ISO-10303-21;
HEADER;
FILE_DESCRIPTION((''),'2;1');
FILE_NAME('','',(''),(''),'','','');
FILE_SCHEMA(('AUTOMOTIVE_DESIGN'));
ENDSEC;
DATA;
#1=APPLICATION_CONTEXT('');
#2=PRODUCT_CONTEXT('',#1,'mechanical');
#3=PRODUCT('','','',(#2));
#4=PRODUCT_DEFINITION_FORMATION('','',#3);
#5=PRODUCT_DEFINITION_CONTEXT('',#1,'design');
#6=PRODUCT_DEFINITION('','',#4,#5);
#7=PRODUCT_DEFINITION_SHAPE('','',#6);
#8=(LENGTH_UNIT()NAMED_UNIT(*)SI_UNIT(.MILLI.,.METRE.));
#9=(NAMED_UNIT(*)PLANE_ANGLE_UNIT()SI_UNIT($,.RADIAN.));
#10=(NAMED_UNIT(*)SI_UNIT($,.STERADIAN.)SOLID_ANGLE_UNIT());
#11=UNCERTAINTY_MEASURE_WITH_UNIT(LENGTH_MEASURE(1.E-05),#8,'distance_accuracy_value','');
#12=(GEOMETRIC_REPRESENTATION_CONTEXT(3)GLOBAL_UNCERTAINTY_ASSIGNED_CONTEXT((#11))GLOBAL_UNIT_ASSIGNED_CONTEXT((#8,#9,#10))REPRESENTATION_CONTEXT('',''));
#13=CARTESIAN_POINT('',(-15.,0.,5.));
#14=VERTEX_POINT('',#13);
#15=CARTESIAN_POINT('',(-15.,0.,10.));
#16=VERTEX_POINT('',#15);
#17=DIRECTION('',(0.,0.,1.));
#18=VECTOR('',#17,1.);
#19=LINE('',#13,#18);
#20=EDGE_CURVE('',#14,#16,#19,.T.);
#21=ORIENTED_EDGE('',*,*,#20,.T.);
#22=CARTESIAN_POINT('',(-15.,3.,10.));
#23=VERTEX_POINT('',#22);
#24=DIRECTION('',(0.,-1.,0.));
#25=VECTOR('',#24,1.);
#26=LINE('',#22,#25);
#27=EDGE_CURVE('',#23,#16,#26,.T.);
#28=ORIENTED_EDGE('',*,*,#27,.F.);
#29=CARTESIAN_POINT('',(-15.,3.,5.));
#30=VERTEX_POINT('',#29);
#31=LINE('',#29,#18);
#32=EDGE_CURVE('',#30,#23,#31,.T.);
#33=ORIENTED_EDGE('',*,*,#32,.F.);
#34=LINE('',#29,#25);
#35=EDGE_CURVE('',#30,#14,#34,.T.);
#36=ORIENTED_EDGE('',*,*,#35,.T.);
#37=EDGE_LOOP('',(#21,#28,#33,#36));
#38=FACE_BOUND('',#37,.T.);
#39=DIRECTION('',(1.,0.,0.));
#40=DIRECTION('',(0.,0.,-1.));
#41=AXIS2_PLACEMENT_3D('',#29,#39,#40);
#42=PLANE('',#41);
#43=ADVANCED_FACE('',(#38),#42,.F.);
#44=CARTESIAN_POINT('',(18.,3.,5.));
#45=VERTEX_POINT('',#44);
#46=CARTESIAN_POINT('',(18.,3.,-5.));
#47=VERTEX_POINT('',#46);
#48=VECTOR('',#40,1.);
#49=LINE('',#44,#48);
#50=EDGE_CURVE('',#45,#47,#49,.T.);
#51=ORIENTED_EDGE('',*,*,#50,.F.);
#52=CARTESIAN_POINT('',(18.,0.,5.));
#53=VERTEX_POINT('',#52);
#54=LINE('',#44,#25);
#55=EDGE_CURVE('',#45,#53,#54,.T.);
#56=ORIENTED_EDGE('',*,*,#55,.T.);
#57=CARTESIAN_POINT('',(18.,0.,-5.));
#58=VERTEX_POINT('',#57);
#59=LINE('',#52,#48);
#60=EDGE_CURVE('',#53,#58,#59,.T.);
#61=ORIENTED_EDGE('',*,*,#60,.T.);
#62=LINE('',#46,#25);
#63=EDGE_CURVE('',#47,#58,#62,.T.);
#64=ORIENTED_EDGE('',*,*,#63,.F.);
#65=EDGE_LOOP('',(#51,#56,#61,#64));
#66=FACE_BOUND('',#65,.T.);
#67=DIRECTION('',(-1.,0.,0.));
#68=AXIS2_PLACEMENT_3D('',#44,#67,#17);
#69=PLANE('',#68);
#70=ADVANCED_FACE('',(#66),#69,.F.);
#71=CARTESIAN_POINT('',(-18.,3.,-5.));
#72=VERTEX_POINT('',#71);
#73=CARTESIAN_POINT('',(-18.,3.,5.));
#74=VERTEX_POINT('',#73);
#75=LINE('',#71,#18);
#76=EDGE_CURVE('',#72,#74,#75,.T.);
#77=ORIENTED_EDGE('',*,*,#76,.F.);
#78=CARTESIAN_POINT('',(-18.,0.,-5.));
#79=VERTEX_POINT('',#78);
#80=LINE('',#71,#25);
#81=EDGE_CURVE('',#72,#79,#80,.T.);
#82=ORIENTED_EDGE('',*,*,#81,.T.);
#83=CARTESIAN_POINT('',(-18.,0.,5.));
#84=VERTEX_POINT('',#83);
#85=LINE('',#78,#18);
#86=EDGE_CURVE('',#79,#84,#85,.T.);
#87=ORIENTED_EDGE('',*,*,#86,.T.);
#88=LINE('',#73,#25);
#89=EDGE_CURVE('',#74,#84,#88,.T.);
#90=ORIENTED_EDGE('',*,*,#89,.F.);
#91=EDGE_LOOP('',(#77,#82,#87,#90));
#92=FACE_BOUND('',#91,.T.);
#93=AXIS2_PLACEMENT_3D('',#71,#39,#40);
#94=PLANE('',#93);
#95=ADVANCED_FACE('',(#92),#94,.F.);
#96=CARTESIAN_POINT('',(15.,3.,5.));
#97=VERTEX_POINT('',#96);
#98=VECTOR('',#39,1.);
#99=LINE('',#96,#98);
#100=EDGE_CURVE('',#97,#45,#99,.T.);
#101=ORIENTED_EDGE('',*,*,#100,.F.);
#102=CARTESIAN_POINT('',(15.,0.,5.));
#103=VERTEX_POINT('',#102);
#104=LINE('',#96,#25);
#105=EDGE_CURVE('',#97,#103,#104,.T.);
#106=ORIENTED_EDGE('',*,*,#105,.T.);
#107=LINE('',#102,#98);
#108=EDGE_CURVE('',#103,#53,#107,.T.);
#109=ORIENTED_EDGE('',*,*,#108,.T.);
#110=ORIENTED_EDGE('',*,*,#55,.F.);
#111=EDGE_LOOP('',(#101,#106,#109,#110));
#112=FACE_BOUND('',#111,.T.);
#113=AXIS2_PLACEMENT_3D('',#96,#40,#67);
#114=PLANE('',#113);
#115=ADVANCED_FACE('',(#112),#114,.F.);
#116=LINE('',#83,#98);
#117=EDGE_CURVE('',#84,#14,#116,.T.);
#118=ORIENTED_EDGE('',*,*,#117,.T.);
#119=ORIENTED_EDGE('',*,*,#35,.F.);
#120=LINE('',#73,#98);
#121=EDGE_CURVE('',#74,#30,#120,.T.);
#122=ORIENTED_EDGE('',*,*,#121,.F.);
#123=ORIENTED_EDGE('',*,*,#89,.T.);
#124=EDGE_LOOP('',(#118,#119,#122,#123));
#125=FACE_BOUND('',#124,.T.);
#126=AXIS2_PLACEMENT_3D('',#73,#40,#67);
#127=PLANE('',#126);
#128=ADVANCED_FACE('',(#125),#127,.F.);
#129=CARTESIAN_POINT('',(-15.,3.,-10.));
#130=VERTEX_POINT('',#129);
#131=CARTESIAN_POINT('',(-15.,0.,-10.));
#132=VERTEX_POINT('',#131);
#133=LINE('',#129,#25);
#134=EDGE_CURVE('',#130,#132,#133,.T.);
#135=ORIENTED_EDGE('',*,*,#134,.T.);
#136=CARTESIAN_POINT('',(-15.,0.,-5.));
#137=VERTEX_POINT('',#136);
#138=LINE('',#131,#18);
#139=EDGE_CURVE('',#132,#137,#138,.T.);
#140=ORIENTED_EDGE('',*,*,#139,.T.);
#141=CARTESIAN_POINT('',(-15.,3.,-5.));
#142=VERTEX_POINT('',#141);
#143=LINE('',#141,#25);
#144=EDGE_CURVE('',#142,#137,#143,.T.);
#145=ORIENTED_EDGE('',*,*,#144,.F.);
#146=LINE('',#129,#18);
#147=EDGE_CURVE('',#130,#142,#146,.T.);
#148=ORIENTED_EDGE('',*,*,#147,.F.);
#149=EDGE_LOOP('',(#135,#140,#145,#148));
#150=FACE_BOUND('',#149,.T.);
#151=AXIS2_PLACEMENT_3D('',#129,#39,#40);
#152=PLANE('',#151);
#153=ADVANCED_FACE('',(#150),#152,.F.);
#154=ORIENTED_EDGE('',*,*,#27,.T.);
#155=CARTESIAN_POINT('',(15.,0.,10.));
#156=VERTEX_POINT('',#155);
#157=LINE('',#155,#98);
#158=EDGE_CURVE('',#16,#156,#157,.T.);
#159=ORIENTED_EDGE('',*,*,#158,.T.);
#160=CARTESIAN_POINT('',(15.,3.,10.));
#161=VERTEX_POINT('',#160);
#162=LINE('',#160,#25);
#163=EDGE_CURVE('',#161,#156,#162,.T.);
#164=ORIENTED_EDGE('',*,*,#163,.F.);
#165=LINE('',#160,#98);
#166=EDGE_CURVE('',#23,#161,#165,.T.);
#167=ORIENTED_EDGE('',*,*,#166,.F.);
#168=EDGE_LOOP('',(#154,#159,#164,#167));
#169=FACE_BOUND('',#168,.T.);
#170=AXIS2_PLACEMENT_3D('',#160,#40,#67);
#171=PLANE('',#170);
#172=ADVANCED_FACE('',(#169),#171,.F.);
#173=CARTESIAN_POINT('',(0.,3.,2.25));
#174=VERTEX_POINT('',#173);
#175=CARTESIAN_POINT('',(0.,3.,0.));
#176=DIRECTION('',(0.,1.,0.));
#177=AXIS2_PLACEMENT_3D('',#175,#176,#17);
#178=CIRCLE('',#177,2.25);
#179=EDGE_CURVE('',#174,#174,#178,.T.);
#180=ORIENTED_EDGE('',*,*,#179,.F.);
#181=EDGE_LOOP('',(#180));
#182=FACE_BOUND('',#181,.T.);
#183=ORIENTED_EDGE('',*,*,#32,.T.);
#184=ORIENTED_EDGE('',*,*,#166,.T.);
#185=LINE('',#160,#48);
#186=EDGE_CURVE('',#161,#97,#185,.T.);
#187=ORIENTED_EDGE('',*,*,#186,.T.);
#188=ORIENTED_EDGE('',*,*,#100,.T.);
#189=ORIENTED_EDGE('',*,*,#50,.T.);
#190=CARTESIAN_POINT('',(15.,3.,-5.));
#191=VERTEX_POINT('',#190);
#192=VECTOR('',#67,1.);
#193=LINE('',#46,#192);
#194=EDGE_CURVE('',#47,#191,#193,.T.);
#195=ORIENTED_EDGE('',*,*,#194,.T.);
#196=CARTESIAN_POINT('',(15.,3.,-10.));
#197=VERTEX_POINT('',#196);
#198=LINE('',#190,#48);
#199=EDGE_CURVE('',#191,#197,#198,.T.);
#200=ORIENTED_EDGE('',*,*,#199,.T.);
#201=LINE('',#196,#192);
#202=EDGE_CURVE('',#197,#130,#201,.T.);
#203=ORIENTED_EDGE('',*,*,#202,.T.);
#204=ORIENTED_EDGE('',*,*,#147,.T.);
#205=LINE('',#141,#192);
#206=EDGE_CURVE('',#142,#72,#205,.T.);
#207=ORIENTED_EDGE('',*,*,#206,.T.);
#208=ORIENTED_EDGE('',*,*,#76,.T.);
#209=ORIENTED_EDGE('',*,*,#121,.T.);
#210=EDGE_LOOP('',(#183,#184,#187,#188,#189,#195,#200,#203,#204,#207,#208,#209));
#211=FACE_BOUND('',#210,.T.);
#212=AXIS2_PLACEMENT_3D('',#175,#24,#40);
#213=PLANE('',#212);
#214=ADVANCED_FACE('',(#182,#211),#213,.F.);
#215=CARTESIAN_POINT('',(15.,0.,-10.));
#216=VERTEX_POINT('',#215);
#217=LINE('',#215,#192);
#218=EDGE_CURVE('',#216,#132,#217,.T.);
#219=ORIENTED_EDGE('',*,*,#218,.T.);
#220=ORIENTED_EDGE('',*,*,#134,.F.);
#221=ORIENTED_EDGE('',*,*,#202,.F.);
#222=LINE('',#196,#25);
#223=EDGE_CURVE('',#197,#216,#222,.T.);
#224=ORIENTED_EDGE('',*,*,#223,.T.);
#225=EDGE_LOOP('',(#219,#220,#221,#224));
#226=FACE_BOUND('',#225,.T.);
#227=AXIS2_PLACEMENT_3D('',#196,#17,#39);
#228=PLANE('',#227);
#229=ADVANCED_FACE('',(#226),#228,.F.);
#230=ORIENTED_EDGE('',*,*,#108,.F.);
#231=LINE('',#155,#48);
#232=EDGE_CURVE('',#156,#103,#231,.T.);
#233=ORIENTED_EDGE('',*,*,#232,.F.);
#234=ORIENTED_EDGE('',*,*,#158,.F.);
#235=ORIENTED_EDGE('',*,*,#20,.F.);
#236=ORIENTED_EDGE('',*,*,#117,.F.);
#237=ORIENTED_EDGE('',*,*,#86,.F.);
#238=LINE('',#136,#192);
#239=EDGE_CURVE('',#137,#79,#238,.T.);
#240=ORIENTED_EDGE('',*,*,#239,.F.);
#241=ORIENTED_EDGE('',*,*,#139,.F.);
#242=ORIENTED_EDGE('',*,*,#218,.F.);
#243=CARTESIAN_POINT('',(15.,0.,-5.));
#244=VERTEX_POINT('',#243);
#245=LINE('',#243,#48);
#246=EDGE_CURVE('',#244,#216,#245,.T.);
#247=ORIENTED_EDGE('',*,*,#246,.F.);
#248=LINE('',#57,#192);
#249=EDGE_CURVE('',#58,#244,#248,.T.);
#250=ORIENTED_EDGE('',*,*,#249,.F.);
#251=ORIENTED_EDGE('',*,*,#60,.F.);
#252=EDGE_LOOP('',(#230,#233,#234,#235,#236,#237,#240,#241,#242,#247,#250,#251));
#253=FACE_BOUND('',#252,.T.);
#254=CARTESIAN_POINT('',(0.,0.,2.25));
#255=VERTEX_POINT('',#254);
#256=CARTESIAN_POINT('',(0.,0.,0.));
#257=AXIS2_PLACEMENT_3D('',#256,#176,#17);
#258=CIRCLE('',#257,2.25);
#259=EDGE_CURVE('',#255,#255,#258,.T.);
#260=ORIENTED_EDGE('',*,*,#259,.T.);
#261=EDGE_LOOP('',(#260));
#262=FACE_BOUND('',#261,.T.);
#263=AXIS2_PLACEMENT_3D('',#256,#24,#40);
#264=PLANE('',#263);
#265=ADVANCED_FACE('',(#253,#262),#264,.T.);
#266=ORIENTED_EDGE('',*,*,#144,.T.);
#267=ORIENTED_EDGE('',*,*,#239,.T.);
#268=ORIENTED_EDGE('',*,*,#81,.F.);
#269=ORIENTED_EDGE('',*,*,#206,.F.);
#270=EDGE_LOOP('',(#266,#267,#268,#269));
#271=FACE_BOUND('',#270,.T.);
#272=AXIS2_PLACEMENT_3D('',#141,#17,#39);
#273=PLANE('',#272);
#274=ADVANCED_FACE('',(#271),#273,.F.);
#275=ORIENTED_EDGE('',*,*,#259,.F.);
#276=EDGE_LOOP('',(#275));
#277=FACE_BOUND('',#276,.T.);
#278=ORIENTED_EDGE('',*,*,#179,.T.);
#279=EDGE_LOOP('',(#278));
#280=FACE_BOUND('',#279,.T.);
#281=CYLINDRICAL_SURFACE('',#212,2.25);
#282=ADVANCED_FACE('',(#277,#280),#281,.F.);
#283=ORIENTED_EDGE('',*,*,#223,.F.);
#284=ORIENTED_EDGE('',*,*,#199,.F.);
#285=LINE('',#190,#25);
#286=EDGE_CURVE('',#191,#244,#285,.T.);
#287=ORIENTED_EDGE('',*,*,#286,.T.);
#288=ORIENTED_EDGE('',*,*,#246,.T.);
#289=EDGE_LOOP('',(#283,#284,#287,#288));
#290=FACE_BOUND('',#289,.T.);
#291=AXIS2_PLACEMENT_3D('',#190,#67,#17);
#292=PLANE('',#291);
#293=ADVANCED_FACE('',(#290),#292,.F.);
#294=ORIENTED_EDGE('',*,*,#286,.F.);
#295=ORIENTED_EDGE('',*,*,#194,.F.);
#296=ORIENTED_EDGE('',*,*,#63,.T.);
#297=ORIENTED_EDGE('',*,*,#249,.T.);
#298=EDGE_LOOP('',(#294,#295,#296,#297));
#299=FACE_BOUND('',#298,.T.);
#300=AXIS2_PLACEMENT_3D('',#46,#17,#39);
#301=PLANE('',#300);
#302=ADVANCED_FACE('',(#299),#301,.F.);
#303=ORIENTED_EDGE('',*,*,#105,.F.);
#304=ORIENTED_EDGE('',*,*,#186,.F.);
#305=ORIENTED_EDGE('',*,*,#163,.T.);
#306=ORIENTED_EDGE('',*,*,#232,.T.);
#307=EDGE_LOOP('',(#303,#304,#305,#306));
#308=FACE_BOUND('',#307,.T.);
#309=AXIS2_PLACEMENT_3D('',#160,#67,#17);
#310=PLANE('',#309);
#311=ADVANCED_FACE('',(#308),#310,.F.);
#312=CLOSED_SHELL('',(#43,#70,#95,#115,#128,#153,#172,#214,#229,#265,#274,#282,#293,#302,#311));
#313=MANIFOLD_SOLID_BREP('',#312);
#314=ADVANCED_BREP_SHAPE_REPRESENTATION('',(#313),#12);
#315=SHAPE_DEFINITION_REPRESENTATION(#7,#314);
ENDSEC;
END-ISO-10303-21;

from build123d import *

# Parameters (mm, degrees)
SKETCH1_R           = 2.25
BOSS_EXTRUDE1_DEPTH = 3


with BuildPart() as part:
    # Sketch1 → Boss-Extrude1 (new body)
    with BuildSketch(Plane(origin=(0, 0, 0), x_dir=(1, 0, 0), z_dir=(0, 1, 0))):
        Polygon((-15, 10), (-15, 5), (-18, 5), (-18, -5), (-15, -5), (-15, -10), (15, -10), (15, -5), (18, -5), (18, 5), (15, 5), (15, 10), align=None)
        Circle(SKETCH1_R, mode=Mode.SUBTRACT)
    extrude(amount=BOSS_EXTRUDE1_DEPTH)


solid = part.part
